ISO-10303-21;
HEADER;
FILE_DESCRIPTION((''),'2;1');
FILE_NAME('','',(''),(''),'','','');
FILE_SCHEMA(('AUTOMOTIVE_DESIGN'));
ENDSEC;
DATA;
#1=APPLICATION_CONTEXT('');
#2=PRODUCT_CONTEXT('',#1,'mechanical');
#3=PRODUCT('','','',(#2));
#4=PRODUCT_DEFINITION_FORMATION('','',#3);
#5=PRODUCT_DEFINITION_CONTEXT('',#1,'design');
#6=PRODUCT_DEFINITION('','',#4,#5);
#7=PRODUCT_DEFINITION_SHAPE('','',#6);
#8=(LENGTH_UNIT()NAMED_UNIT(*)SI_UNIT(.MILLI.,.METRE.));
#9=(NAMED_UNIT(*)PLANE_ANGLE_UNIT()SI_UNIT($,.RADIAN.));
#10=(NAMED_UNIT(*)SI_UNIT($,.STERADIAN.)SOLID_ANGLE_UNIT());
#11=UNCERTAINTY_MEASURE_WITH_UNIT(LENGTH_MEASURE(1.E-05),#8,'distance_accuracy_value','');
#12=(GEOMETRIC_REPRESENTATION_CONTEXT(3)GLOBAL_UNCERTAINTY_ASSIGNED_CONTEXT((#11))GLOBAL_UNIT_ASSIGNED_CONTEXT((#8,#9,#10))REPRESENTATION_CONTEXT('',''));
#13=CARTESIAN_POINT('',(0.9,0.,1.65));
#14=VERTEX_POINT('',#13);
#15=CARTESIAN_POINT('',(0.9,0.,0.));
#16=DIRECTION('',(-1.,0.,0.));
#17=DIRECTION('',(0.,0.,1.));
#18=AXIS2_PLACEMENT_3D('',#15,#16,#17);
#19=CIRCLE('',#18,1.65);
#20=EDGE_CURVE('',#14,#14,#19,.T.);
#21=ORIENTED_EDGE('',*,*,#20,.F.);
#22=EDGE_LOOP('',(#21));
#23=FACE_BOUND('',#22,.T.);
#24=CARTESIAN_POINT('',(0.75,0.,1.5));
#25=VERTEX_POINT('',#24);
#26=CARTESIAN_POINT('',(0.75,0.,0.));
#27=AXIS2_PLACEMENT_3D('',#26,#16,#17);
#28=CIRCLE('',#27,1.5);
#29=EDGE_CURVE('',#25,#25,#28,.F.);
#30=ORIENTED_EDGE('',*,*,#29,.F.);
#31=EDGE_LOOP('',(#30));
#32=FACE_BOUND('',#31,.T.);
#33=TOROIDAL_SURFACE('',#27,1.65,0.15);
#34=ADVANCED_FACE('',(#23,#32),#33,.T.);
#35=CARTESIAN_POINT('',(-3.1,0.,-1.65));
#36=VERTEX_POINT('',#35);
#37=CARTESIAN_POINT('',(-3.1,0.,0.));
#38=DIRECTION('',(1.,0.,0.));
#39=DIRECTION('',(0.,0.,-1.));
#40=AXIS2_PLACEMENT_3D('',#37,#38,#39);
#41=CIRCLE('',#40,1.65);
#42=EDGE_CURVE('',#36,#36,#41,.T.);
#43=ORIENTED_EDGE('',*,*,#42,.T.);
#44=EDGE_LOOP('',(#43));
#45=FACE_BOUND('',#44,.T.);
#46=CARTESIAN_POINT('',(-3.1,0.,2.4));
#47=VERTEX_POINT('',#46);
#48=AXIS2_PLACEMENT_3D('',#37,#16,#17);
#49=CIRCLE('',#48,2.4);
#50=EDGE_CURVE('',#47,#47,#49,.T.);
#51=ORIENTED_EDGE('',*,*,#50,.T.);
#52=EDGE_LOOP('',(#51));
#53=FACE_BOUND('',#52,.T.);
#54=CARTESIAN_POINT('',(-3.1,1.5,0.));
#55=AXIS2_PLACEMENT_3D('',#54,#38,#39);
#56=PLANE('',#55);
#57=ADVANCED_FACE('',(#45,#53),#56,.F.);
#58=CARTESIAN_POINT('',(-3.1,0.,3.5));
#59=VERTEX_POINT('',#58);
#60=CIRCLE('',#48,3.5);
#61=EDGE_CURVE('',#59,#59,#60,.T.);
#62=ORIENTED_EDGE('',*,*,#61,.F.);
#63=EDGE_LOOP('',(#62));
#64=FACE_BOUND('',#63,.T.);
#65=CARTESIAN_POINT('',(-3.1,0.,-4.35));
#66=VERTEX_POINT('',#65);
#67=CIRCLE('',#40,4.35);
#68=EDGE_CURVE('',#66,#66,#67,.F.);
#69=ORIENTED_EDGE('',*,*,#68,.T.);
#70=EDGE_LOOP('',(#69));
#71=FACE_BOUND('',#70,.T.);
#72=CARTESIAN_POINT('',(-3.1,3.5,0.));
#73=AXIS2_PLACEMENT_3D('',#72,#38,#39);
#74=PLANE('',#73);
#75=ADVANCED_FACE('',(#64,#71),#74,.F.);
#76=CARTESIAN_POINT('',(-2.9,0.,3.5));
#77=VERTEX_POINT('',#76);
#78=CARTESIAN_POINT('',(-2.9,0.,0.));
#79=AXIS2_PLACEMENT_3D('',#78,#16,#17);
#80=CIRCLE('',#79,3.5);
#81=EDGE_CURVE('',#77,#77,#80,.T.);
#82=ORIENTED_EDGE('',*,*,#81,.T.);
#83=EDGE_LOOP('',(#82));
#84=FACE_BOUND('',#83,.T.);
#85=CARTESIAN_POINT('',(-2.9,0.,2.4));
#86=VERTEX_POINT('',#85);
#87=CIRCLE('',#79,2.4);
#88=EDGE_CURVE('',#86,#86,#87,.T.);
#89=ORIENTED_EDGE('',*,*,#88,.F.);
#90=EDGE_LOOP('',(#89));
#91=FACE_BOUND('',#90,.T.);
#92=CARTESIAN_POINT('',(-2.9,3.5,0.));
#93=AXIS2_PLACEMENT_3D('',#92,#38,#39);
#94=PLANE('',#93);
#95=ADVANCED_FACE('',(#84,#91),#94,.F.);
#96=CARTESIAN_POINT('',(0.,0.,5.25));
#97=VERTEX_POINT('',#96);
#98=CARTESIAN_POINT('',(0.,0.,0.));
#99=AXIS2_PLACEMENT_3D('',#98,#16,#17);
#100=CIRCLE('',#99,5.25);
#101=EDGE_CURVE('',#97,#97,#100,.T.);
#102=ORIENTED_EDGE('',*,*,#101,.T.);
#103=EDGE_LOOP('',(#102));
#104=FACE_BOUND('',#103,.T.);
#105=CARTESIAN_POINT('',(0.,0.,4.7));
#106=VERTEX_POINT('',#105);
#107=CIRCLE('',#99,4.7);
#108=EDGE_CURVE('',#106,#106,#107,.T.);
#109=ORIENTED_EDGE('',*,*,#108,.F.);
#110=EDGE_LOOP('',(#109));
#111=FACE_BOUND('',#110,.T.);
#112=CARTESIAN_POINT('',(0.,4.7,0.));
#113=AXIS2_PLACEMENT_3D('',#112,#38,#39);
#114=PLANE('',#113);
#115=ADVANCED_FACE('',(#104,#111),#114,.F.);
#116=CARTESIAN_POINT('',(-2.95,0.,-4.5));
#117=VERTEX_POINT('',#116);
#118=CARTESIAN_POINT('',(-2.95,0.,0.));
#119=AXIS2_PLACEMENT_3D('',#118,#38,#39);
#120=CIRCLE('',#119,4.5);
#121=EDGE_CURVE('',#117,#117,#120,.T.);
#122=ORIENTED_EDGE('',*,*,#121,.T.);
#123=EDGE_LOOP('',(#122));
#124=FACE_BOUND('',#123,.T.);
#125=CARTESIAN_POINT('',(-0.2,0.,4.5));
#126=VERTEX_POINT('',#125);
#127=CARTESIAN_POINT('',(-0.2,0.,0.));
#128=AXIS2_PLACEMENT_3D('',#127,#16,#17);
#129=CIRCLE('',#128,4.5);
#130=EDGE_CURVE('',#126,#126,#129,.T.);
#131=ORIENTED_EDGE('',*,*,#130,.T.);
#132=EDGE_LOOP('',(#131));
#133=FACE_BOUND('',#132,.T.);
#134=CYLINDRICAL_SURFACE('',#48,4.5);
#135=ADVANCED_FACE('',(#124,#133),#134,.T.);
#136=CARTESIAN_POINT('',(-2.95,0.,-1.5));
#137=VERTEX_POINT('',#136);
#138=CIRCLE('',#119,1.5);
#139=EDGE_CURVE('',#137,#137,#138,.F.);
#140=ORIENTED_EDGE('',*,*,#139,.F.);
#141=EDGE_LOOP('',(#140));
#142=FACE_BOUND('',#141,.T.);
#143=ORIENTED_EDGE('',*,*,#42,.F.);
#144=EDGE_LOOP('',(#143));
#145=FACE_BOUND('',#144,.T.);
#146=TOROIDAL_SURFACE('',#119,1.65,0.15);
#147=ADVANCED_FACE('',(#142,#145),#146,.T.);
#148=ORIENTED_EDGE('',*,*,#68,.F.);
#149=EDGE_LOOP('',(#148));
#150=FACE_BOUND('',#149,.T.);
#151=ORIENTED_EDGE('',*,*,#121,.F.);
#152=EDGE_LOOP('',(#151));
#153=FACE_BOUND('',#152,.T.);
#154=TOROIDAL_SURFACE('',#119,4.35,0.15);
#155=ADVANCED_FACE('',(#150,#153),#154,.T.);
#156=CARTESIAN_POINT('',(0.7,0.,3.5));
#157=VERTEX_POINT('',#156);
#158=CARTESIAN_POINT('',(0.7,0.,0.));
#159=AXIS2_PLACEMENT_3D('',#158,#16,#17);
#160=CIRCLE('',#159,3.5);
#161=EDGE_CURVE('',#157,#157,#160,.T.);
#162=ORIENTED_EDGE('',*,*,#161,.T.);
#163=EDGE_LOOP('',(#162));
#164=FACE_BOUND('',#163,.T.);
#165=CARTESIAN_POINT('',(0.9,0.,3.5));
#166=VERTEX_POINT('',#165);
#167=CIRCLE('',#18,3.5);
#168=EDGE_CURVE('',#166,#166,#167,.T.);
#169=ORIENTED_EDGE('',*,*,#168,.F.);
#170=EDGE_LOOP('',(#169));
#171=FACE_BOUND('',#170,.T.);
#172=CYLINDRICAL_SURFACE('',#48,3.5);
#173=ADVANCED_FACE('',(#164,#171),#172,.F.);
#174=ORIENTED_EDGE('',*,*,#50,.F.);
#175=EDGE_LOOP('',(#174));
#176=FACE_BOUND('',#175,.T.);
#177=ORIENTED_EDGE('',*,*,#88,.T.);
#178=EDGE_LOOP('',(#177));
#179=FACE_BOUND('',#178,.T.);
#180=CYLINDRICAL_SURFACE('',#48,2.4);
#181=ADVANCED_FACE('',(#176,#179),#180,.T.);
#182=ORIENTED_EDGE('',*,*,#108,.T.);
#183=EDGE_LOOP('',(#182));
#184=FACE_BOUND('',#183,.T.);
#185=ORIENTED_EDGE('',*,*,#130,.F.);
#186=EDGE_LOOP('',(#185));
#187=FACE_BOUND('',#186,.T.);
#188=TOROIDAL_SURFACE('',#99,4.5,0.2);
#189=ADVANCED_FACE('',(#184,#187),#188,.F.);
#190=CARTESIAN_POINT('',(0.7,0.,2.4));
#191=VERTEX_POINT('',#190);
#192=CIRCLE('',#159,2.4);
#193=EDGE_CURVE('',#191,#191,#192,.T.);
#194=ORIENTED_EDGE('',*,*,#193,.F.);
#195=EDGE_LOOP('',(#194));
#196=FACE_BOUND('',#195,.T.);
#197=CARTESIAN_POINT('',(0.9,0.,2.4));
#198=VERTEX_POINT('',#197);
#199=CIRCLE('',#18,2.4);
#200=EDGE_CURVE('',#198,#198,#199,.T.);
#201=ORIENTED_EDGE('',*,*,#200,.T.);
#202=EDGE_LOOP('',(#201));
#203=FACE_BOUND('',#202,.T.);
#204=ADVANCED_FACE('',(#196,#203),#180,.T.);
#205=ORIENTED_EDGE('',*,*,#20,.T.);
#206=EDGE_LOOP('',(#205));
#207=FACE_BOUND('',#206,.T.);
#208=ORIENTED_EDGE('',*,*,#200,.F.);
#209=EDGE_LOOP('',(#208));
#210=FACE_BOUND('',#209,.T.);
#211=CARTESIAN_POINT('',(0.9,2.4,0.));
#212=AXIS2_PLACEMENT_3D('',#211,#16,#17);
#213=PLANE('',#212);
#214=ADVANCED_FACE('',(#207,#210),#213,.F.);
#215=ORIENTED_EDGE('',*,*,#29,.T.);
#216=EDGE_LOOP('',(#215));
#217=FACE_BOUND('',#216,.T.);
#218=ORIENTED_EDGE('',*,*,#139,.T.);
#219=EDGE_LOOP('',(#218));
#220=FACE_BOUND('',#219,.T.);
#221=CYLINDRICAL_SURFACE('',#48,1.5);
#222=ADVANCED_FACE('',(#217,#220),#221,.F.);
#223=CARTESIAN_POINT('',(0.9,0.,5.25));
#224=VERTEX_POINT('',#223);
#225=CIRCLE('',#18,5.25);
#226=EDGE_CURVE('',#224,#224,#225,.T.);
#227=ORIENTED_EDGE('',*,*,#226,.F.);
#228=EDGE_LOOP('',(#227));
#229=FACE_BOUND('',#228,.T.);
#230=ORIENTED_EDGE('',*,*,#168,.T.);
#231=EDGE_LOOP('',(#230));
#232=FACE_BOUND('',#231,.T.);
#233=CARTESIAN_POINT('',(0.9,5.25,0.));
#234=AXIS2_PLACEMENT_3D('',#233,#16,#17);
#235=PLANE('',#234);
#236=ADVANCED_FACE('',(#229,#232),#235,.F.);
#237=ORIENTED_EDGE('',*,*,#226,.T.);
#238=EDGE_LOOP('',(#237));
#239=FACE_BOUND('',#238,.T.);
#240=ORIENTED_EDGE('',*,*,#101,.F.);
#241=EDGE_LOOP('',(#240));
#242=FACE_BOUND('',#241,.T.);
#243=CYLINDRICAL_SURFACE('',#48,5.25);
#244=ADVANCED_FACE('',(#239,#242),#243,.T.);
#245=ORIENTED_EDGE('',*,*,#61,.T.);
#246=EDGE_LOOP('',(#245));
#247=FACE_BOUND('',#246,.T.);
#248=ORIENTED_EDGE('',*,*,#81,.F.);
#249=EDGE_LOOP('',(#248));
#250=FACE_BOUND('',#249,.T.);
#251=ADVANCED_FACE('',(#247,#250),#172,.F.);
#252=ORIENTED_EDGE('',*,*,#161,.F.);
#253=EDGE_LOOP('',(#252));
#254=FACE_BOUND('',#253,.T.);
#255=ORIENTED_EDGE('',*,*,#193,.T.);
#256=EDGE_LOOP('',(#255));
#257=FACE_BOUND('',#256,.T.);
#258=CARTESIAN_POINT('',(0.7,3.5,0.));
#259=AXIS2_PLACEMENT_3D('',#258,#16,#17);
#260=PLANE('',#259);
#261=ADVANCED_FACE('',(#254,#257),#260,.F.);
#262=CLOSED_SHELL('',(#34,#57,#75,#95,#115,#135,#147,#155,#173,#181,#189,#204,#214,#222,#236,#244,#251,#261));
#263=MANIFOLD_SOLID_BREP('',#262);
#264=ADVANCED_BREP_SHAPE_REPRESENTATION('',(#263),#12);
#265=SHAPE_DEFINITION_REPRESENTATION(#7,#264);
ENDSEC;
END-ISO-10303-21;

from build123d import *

# Parameters (mm, degrees)
FILLET1_R = 0.15


with BuildPart() as part:
    # Sketch1 → Revolve1 (revolve)
    with BuildSketch(Plane.XY):
        with BuildLine():
            Line((0, 4.7), (0, 5.25))
            Line((0, 5.25), (0.9, 5.25))
            Line((0.9, 5.25), (0.9, 3.5))
            Line((0.9, 3.5), (0.7, 3.5))
            Line((0.7, 3.5), (0.7, 2.4))
            Line((0.7, 2.4), (0.9, 2.4))
            Line((0.9, 2.4), (0.9, 1.5))
            Line((0.9, 1.5), (-3.1, 1.5))
            Line((-3.1, 1.5), (-3.1, 2.4))
            Line((-3.1, 2.4), (-2.9, 2.4))
            Line((-2.9, 2.4), (-2.9, 3.5))
            Line((-2.9, 3.5), (-3.1, 3.5))
            Line((-3.1, 3.5), (-3.1, 4.5))
            Line((-3.1, 4.5), (-0.2, 4.5))
            ThreePointArc((-0.2, 4.5), (0.141421356, 4.358578644), (0, 4.7))
        make_face()
    revolve(axis=Axis((-3.1, 0, 0), (1, 0, 0)))

    # Fillet1
    fillet1_edges = [part.edges().sort_by_distance(p)[0] for p in [
        (0.9, -1.5, 0),
        (-3.1, -1.5, 0),
        (-3.1, -4.5, 0),
    ]]
    fillet(fillet1_edges, radius=FILLET1_R)


solid = part.part
